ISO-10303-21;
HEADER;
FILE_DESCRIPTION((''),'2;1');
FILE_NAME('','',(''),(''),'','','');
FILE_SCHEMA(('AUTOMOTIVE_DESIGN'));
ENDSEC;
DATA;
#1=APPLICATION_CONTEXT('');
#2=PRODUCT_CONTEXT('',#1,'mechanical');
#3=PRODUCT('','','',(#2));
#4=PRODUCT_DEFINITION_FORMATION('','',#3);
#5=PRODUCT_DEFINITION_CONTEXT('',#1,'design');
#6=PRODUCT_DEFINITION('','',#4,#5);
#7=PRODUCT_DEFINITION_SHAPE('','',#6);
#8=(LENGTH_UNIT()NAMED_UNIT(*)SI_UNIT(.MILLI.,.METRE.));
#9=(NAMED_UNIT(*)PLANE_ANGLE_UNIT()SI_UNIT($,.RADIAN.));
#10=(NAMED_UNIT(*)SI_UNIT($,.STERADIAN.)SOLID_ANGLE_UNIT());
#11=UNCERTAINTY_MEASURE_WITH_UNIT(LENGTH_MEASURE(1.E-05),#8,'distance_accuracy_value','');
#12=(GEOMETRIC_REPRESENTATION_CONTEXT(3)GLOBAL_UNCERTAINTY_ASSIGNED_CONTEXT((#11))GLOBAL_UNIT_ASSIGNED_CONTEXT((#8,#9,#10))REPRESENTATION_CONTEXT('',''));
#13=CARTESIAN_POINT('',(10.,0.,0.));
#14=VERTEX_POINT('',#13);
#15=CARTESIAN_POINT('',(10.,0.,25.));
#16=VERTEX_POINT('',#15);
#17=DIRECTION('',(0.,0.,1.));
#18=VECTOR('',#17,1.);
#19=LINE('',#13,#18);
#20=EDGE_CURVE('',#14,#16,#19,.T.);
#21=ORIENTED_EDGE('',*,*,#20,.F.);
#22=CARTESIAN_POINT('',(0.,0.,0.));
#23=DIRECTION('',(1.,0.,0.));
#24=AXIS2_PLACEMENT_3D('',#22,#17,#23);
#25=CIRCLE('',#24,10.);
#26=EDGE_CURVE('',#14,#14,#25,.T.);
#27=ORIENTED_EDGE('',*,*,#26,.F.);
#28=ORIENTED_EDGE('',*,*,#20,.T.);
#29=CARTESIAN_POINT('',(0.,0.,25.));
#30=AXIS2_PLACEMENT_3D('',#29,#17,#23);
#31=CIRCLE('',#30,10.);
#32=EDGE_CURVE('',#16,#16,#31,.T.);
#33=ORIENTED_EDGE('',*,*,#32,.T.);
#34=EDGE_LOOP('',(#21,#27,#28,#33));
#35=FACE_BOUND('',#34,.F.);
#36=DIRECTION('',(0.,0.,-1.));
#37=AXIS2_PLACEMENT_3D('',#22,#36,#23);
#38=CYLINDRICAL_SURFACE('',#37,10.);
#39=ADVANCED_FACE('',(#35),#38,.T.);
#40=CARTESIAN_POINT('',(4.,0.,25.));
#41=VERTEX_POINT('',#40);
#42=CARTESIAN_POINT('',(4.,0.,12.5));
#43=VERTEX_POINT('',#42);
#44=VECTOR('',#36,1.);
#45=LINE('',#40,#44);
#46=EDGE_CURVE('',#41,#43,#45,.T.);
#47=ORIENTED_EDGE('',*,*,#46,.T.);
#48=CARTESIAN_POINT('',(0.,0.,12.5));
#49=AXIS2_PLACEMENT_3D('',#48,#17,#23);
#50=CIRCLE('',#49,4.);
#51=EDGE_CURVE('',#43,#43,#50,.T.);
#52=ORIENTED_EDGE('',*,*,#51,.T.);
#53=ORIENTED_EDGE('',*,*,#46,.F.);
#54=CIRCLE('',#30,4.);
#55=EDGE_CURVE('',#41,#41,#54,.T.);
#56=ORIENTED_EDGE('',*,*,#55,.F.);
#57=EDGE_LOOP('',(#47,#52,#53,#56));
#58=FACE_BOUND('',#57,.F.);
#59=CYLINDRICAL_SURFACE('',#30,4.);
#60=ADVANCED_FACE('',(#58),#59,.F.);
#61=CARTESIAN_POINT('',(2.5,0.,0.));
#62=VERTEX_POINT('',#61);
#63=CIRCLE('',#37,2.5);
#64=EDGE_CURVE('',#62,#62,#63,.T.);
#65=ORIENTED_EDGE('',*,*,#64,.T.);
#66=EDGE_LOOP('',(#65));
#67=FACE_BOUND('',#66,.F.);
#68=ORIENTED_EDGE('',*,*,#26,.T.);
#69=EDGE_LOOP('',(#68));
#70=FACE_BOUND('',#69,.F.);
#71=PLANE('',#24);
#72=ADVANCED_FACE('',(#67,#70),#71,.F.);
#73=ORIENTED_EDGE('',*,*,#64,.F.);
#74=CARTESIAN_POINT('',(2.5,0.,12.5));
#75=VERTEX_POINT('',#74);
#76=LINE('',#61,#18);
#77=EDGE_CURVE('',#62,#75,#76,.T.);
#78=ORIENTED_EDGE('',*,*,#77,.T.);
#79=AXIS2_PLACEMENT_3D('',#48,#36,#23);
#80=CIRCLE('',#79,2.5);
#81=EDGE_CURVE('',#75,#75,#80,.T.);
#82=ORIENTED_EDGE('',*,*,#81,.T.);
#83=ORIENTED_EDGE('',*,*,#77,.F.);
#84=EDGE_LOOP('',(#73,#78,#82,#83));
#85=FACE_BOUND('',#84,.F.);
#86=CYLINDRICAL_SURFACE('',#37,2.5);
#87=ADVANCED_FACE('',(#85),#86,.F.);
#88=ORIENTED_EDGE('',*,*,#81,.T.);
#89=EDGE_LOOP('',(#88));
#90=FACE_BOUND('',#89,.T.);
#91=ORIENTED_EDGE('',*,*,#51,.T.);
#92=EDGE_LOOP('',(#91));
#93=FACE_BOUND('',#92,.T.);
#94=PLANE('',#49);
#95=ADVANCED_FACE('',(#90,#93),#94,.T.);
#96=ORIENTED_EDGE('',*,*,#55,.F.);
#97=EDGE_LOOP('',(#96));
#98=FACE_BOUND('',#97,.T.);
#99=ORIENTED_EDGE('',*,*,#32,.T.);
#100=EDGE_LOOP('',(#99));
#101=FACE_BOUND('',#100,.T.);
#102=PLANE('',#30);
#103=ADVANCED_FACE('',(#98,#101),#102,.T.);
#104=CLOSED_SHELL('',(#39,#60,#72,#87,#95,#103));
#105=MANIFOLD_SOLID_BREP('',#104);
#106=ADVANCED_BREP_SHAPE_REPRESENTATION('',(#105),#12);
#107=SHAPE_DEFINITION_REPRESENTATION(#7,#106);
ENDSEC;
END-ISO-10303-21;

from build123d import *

# Parameters (mm, degrees)
SKETCH_R        = 10
PAD_DEPTH       = 25
SKETCH001_R     = 4
POCKET_DEPTH    = 12.5
SKETCH002_R     = 2.5
POCKET001_DEPTH = 12.5


with BuildPart() as part:
    # Sketch → Pad (new body)
    with BuildSketch(Plane.XY):
        Circle(SKETCH_R)
    extrude(amount=PAD_DEPTH)

    # Sketch001 (on Face3 of Pad) → Pocket (cut)
    with BuildSketch(Plane.XY.offset(25)):
        Circle(SKETCH001_R)
    extrude(amount=-POCKET_DEPTH, mode=Mode.SUBTRACT)

    # Sketch002 (on Face2 of Pocket) → Pocket001 (cut)
    with BuildSketch(Plane(origin=(0, 0, 0), x_dir=(1, 0, 0), z_dir=(0, 0, -1))):
        Circle(SKETCH002_R)
    extrude(amount=-POCKET001_DEPTH, mode=Mode.SUBTRACT)


solid = part.part
